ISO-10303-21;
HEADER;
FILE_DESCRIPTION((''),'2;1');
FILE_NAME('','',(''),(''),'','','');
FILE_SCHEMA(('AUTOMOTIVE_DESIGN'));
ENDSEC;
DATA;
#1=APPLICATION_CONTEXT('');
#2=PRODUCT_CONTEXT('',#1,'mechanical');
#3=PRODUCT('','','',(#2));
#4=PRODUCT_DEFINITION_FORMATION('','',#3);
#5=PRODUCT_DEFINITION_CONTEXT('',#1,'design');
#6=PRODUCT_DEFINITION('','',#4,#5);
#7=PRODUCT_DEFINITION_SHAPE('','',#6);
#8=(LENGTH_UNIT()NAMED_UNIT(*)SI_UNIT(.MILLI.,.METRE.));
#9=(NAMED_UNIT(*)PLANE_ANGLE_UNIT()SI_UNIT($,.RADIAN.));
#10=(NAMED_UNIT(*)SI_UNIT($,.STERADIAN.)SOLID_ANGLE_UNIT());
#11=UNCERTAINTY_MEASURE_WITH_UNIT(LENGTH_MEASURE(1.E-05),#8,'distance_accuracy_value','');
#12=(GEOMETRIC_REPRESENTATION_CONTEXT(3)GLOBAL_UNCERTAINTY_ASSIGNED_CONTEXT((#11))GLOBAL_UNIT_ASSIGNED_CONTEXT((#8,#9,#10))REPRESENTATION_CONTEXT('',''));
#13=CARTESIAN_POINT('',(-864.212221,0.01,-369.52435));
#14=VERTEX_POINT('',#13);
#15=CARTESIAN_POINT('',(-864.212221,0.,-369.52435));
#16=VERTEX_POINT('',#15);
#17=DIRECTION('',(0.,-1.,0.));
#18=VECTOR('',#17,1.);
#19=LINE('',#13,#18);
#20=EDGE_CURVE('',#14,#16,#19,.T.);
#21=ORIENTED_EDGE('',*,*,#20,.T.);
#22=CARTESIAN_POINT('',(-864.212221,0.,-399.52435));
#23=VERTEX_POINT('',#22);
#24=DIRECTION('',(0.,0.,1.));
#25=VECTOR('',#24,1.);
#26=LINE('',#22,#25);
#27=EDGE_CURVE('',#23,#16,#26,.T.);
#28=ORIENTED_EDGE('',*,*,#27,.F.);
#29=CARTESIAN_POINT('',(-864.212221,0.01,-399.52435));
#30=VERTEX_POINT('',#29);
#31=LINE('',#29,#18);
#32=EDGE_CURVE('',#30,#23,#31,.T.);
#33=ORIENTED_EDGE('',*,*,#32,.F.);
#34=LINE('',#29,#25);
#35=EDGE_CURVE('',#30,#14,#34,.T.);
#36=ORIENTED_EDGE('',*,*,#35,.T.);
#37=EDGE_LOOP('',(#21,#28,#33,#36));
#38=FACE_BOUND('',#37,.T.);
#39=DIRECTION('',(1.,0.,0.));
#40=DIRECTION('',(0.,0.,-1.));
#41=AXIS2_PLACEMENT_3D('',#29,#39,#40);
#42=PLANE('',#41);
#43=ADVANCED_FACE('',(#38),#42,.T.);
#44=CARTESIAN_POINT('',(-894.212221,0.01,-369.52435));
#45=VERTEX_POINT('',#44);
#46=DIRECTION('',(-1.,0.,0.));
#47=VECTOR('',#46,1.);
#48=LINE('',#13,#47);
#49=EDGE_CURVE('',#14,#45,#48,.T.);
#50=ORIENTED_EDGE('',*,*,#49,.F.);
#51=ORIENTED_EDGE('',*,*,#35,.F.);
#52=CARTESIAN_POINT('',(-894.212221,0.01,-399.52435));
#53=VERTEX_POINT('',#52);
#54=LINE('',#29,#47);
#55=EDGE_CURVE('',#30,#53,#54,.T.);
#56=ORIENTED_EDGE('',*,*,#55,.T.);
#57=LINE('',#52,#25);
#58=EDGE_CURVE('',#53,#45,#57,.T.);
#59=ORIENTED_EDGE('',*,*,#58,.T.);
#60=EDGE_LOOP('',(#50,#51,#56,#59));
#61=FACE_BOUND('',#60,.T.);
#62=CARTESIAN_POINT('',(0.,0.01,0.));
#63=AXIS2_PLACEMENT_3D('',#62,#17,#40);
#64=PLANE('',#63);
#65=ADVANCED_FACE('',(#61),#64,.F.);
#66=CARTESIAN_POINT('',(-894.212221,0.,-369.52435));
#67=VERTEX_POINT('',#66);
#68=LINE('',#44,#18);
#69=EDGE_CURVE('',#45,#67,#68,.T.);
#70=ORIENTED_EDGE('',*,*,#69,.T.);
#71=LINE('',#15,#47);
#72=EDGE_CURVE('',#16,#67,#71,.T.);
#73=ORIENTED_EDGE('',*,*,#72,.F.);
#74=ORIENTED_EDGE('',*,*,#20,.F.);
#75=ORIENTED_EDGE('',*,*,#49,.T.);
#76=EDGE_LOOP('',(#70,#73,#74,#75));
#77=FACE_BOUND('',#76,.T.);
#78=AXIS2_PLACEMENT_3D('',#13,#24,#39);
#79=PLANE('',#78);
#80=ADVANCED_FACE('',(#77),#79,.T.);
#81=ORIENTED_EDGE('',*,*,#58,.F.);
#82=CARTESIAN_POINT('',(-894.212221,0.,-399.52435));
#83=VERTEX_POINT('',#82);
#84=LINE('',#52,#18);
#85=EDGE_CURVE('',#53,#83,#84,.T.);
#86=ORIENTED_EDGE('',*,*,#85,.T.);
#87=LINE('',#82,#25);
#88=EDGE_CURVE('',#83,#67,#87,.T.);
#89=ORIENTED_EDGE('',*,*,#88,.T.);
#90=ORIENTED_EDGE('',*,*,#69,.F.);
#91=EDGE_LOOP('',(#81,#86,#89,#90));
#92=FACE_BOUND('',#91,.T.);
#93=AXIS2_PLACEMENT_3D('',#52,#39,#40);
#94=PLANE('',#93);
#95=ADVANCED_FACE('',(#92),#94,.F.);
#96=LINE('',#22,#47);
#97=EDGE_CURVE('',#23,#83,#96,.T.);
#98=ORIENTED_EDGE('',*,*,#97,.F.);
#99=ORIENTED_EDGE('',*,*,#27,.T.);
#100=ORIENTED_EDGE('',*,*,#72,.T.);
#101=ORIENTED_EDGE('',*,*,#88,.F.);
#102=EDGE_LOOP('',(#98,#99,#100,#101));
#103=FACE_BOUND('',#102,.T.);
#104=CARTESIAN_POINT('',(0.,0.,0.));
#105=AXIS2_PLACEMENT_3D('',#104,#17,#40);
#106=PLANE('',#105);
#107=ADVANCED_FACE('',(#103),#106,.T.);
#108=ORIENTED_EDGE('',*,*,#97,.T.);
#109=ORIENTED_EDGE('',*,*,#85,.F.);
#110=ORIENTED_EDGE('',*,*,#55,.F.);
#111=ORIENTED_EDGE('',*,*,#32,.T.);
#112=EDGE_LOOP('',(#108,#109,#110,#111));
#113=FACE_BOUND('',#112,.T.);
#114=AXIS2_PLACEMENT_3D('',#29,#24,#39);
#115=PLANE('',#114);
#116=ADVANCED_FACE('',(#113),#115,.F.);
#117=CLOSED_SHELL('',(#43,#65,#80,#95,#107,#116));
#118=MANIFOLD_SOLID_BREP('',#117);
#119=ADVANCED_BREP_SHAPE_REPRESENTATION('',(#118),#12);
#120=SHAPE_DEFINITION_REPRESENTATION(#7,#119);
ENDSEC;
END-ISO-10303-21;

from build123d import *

# Parameters (mm, degrees)
ESBO_O1_W                 = 30
ESBO_O1_H                 = 30
RESSALTO_EXTRUS_O20_DEPTH = 0.01


with BuildPart() as part:
    # Esboço1 → Ressalto-extrusão20 (new body)
    with BuildSketch(Plane(origin=(0, 0, 0), x_dir=(1, 0, 0), z_dir=(0, 1, 0))):
        with Locations((-879.212221257, 384.524350277)):
            Rectangle(ESBO_O1_W, ESBO_O1_H)
    extrude(amount=RESSALTO_EXTRUS_O20_DEPTH)


solid = part.part
